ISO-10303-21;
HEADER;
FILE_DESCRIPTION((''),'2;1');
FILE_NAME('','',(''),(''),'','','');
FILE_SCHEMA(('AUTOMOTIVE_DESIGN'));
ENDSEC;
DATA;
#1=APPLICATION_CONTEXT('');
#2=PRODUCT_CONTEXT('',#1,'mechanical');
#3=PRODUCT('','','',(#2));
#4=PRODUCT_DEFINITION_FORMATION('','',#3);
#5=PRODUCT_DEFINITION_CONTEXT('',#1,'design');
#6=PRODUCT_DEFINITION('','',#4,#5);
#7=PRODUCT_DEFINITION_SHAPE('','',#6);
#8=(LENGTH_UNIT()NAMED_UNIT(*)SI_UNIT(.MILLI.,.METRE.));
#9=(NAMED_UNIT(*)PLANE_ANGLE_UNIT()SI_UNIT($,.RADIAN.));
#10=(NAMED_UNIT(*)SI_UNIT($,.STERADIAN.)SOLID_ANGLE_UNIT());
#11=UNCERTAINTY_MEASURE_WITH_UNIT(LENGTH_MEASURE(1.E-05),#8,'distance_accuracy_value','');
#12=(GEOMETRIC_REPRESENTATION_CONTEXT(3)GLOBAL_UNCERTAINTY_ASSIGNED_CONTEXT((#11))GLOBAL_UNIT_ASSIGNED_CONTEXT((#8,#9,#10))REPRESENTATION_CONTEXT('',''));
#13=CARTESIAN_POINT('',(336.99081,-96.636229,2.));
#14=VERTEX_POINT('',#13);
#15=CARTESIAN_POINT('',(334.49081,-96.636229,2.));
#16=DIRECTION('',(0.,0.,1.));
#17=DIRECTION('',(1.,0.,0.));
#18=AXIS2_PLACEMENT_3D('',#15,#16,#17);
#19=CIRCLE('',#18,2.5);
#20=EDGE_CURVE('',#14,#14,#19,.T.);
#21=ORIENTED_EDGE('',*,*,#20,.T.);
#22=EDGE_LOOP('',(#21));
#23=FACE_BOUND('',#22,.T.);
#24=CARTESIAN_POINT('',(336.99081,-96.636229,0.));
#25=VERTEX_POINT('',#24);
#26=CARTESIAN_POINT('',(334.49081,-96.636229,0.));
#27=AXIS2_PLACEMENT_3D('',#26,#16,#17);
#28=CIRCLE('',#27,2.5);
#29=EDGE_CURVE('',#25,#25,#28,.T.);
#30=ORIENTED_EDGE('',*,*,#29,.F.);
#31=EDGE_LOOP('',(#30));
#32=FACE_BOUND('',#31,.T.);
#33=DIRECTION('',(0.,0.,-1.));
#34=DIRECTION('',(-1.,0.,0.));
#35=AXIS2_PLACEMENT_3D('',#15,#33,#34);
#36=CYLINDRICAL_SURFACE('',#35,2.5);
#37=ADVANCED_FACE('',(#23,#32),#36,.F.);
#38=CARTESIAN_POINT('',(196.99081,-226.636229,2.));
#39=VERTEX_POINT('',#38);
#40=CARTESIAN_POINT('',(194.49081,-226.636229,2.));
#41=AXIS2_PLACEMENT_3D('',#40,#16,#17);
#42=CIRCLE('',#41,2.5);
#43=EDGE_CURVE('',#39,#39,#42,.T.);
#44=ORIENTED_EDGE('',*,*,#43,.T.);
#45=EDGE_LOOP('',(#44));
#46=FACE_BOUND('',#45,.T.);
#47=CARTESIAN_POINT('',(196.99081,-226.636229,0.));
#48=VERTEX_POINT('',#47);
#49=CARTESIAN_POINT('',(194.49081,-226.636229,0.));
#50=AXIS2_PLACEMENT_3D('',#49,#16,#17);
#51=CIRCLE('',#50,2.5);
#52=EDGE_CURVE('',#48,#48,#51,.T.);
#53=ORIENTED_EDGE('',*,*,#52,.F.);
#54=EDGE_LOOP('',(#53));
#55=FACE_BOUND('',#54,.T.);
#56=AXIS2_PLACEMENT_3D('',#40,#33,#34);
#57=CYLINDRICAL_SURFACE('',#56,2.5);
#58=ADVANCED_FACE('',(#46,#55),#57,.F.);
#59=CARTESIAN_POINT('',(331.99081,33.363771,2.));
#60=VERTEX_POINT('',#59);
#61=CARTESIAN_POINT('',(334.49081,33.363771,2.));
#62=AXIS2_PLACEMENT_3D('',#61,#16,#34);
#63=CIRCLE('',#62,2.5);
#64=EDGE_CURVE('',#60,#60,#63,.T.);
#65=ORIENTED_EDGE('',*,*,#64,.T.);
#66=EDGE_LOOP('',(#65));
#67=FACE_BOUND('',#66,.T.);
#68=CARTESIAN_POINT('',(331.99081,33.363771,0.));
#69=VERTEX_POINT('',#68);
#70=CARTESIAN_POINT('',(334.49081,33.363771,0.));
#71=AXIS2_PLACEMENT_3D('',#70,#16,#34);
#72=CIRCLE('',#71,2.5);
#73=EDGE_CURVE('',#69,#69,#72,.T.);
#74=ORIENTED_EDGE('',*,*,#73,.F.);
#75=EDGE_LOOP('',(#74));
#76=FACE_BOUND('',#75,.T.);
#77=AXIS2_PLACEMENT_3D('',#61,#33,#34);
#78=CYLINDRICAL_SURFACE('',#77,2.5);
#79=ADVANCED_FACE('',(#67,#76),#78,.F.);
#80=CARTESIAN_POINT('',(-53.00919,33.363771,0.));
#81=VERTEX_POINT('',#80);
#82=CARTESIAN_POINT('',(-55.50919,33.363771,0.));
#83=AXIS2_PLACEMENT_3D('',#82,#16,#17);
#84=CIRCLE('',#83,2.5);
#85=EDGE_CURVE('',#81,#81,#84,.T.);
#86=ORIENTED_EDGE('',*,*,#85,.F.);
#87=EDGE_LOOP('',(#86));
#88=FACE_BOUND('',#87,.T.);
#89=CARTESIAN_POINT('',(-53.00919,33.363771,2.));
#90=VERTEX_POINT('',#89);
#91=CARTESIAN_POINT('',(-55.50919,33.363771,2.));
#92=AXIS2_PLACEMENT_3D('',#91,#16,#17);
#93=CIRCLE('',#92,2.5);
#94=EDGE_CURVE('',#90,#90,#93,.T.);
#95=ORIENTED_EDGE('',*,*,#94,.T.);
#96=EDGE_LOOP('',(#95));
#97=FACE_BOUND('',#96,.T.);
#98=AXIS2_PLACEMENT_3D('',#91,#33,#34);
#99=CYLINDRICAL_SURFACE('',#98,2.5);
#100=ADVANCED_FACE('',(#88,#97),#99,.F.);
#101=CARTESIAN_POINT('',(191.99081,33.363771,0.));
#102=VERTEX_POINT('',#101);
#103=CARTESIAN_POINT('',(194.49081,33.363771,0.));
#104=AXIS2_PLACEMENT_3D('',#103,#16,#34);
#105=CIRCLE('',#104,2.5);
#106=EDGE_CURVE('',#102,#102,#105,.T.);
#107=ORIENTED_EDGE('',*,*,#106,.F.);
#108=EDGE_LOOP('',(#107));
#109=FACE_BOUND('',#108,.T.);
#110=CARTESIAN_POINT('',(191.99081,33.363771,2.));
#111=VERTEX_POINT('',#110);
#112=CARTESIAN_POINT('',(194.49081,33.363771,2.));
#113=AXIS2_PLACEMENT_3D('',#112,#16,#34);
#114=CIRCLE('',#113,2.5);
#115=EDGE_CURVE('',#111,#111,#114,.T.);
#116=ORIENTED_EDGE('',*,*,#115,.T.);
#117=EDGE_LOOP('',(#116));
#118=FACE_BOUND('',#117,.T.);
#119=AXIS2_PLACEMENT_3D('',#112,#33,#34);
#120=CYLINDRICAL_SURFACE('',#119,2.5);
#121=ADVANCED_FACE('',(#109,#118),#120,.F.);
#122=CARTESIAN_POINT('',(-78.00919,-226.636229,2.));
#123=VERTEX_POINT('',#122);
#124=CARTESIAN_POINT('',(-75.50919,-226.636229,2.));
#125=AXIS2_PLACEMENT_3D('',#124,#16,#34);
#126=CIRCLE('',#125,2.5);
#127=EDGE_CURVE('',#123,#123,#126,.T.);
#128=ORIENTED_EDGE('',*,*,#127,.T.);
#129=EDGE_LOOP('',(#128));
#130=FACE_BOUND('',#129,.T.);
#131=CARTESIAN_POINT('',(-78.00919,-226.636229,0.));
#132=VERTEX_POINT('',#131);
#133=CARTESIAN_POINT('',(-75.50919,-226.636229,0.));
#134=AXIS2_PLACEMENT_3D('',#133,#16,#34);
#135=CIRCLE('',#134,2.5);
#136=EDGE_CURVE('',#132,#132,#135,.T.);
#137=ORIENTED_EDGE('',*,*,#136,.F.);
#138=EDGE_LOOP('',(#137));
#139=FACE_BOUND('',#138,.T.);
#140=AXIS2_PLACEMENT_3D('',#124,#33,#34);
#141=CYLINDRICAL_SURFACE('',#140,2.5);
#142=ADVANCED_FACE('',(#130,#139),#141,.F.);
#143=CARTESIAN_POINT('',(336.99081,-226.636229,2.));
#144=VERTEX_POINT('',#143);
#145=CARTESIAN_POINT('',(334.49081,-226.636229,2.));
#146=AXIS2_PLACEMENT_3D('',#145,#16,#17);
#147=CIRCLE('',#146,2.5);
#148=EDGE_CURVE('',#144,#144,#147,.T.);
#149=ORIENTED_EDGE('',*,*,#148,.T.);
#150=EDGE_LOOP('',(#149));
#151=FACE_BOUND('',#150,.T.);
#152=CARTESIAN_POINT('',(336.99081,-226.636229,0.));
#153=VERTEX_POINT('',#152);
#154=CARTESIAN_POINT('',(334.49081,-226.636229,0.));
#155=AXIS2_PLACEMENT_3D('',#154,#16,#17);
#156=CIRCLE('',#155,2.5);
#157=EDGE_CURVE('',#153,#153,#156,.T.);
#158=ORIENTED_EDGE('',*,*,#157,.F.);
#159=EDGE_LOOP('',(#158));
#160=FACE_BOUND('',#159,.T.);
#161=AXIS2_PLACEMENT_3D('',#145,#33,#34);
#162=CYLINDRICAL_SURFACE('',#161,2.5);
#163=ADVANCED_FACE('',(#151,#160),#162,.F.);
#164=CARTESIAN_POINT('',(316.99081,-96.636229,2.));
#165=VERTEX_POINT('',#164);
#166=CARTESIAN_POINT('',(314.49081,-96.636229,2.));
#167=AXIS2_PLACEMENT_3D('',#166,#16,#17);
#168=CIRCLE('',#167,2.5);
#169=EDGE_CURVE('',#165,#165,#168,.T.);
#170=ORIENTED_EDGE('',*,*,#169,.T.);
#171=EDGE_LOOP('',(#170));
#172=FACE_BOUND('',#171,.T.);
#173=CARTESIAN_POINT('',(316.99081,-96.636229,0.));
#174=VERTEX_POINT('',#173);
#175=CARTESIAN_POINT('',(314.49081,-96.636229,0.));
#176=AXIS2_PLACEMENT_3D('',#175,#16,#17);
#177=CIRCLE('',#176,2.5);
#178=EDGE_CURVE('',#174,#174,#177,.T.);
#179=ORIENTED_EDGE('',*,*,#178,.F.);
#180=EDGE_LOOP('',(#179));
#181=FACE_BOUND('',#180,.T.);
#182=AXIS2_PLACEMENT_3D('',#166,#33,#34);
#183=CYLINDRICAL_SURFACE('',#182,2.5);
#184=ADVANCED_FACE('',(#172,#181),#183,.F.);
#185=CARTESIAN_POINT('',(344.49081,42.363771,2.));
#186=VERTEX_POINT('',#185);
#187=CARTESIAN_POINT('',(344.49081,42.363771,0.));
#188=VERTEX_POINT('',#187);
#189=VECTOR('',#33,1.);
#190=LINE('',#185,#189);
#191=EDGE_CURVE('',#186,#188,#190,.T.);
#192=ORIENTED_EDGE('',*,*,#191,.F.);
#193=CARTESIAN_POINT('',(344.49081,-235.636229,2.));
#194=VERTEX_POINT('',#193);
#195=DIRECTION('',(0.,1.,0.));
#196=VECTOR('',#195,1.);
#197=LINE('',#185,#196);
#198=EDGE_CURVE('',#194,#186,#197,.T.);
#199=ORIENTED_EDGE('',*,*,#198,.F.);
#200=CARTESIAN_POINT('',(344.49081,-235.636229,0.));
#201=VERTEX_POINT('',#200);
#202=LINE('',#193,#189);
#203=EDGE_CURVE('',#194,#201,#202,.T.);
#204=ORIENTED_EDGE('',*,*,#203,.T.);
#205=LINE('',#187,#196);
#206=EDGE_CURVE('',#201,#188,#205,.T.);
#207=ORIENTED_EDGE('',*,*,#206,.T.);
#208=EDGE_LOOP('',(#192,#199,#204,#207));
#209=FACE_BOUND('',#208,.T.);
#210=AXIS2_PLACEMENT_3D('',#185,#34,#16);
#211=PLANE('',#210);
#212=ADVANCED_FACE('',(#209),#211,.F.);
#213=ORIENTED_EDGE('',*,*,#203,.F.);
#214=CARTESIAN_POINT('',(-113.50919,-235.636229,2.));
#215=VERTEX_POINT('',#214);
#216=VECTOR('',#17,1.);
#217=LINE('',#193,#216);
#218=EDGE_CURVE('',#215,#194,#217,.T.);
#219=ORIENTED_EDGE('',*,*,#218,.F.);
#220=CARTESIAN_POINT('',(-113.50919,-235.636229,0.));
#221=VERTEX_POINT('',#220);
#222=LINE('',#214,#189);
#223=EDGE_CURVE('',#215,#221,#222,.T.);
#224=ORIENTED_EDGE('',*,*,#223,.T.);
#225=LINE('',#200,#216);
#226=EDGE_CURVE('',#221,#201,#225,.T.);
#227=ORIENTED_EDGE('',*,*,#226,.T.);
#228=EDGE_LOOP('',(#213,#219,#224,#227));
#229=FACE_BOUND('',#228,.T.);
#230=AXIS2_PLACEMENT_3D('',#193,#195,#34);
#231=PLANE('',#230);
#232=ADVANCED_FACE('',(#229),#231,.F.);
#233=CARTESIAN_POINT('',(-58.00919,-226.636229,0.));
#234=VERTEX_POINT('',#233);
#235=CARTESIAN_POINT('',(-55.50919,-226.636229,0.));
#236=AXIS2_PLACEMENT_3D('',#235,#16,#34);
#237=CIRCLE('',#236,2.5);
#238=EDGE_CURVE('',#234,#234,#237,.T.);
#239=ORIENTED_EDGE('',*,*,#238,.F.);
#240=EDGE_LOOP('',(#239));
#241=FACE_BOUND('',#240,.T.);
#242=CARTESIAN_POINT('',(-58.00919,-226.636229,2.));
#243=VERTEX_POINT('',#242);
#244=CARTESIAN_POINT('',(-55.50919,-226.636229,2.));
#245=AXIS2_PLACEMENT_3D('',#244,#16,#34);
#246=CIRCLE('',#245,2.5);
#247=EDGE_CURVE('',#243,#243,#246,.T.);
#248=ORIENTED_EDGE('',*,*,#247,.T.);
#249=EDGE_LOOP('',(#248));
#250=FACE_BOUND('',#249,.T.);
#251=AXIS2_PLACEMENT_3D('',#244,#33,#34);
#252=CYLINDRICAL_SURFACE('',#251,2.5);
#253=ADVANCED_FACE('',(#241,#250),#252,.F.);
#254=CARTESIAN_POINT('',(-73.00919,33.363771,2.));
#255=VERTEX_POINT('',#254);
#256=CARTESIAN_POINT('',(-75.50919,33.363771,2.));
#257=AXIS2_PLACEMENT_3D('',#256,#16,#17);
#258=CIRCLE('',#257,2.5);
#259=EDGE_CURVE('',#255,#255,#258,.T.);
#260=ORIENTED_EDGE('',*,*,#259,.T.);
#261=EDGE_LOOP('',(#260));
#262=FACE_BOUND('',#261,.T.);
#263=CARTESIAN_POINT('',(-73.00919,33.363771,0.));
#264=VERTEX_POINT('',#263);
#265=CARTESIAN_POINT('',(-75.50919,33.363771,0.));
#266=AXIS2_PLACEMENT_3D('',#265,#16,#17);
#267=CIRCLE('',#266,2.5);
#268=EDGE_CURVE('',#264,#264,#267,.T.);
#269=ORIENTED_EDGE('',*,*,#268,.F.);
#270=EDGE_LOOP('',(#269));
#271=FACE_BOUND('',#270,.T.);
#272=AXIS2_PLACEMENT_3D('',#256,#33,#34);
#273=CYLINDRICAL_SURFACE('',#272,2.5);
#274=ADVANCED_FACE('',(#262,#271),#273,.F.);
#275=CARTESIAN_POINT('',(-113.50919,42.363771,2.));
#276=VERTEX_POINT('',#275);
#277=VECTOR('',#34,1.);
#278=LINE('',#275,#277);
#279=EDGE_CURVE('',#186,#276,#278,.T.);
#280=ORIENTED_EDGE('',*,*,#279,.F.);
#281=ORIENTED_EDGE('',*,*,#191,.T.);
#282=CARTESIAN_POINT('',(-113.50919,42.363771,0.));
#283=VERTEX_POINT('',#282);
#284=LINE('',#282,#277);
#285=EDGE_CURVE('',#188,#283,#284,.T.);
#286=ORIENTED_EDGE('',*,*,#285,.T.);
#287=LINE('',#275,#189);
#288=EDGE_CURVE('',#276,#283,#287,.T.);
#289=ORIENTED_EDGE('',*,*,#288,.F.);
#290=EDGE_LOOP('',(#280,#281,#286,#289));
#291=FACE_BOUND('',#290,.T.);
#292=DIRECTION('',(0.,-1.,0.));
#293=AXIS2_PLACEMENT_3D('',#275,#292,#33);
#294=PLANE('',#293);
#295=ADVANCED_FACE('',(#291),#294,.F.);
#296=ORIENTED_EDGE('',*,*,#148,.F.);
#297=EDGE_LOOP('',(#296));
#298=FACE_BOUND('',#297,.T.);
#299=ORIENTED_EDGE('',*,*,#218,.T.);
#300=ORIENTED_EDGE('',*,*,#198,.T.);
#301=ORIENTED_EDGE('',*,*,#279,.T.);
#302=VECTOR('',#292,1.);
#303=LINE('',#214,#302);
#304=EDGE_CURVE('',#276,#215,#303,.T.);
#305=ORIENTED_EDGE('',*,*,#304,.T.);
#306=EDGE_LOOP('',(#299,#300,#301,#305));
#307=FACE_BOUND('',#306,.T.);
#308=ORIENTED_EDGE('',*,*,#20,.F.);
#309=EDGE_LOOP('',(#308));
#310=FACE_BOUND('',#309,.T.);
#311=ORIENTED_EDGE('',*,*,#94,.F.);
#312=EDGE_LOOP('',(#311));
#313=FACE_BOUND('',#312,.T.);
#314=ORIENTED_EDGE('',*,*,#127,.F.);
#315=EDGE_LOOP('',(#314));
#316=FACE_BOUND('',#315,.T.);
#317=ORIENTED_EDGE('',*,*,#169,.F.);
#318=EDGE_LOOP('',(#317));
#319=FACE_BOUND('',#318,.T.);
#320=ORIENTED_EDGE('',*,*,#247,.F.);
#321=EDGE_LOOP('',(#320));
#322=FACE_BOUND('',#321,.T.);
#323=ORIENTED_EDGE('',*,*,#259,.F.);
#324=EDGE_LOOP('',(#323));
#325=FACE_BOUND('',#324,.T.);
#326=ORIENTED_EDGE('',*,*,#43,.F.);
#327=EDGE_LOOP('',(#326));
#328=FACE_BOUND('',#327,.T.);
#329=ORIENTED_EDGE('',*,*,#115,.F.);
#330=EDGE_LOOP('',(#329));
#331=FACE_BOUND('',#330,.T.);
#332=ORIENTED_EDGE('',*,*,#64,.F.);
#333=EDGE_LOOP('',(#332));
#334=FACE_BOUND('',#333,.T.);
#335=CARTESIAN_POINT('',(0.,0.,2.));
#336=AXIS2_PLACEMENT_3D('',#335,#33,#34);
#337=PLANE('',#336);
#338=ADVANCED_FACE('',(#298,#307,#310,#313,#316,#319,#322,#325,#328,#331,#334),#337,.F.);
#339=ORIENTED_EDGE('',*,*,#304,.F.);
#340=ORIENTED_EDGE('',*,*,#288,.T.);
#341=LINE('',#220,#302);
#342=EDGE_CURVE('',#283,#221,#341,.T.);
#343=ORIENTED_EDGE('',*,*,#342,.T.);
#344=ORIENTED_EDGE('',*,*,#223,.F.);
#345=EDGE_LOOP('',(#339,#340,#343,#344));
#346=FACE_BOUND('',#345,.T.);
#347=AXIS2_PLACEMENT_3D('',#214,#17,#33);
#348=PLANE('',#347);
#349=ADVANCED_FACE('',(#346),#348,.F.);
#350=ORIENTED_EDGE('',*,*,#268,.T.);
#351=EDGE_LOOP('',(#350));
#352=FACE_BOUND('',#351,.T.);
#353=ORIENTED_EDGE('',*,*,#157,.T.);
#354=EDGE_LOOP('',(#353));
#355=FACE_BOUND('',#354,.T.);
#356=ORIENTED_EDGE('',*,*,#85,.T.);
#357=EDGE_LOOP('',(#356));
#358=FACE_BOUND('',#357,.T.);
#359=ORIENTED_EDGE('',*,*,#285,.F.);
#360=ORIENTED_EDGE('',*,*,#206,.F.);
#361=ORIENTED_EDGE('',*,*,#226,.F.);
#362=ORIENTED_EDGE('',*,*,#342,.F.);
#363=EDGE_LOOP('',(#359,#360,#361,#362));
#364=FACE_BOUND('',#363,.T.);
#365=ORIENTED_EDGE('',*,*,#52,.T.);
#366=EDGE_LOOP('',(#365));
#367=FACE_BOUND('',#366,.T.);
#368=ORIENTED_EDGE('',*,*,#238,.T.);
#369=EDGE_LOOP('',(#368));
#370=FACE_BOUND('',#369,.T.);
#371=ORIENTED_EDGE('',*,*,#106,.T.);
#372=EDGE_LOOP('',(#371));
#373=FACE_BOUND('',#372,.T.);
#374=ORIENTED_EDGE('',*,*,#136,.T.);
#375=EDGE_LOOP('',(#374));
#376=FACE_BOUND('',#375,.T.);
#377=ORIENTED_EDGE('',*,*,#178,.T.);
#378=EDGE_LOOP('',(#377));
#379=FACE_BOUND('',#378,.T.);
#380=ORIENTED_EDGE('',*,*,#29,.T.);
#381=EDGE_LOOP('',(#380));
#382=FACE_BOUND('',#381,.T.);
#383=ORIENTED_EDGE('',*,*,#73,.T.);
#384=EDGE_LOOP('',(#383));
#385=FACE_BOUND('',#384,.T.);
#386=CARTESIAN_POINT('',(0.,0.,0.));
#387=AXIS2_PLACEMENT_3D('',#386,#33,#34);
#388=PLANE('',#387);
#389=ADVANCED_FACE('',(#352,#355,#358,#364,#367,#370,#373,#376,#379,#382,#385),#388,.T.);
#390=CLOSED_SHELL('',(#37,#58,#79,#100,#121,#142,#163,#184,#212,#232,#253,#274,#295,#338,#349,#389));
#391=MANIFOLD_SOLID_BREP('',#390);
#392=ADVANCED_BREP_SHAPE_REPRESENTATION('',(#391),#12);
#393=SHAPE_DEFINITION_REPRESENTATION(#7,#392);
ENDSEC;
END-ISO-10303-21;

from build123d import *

# Parameters (mm, degrees)
SKETCH_1_W      = 458
SKETCH_1_H      = 278
SKETCH_1_R      = 2.5
EXTRUDE_1_DEPTH = 2


with BuildPart() as part:
    # 草图1 → 凸台-拉伸1 (new body)
    with BuildSketch(Plane.XY):
        with Locations((115.490809865, -96.636228994)):
            Rectangle(SKETCH_1_W, SKETCH_1_H)
        with Locations((334.490809865, -226.636228994)):
            Circle(SKETCH_1_R, mode=Mode.SUBTRACT)
        with Locations((194.490809865, -226.636228994)):
            Circle(SKETCH_1_R, mode=Mode.SUBTRACT)
        with Locations((194.490809865, 33.363771006)):
            Circle(SKETCH_1_R, mode=Mode.SUBTRACT)
        with Locations((334.490809865, 33.363771006)):
            Circle(SKETCH_1_R, mode=Mode.SUBTRACT)
        with Locations((-55.509190135, 33.363771006)):
            Circle(SKETCH_1_R, mode=Mode.SUBTRACT)
        with Locations((-75.509190135, 33.363771006)):
            Circle(SKETCH_1_R, mode=Mode.SUBTRACT)
        with Locations((-75.509190135, -226.636228994)):
            Circle(SKETCH_1_R, mode=Mode.SUBTRACT)
        with Locations((-55.509190135, -226.636228994)):
            Circle(SKETCH_1_R, mode=Mode.SUBTRACT)
        with Locations((334.490809865, -96.636228994)):
            Circle(SKETCH_1_R, mode=Mode.SUBTRACT)
        with Locations((314.490809865, -96.636228994)):
            Circle(SKETCH_1_R, mode=Mode.SUBTRACT)
    extrude(amount=EXTRUDE_1_DEPTH)


solid = part.part
